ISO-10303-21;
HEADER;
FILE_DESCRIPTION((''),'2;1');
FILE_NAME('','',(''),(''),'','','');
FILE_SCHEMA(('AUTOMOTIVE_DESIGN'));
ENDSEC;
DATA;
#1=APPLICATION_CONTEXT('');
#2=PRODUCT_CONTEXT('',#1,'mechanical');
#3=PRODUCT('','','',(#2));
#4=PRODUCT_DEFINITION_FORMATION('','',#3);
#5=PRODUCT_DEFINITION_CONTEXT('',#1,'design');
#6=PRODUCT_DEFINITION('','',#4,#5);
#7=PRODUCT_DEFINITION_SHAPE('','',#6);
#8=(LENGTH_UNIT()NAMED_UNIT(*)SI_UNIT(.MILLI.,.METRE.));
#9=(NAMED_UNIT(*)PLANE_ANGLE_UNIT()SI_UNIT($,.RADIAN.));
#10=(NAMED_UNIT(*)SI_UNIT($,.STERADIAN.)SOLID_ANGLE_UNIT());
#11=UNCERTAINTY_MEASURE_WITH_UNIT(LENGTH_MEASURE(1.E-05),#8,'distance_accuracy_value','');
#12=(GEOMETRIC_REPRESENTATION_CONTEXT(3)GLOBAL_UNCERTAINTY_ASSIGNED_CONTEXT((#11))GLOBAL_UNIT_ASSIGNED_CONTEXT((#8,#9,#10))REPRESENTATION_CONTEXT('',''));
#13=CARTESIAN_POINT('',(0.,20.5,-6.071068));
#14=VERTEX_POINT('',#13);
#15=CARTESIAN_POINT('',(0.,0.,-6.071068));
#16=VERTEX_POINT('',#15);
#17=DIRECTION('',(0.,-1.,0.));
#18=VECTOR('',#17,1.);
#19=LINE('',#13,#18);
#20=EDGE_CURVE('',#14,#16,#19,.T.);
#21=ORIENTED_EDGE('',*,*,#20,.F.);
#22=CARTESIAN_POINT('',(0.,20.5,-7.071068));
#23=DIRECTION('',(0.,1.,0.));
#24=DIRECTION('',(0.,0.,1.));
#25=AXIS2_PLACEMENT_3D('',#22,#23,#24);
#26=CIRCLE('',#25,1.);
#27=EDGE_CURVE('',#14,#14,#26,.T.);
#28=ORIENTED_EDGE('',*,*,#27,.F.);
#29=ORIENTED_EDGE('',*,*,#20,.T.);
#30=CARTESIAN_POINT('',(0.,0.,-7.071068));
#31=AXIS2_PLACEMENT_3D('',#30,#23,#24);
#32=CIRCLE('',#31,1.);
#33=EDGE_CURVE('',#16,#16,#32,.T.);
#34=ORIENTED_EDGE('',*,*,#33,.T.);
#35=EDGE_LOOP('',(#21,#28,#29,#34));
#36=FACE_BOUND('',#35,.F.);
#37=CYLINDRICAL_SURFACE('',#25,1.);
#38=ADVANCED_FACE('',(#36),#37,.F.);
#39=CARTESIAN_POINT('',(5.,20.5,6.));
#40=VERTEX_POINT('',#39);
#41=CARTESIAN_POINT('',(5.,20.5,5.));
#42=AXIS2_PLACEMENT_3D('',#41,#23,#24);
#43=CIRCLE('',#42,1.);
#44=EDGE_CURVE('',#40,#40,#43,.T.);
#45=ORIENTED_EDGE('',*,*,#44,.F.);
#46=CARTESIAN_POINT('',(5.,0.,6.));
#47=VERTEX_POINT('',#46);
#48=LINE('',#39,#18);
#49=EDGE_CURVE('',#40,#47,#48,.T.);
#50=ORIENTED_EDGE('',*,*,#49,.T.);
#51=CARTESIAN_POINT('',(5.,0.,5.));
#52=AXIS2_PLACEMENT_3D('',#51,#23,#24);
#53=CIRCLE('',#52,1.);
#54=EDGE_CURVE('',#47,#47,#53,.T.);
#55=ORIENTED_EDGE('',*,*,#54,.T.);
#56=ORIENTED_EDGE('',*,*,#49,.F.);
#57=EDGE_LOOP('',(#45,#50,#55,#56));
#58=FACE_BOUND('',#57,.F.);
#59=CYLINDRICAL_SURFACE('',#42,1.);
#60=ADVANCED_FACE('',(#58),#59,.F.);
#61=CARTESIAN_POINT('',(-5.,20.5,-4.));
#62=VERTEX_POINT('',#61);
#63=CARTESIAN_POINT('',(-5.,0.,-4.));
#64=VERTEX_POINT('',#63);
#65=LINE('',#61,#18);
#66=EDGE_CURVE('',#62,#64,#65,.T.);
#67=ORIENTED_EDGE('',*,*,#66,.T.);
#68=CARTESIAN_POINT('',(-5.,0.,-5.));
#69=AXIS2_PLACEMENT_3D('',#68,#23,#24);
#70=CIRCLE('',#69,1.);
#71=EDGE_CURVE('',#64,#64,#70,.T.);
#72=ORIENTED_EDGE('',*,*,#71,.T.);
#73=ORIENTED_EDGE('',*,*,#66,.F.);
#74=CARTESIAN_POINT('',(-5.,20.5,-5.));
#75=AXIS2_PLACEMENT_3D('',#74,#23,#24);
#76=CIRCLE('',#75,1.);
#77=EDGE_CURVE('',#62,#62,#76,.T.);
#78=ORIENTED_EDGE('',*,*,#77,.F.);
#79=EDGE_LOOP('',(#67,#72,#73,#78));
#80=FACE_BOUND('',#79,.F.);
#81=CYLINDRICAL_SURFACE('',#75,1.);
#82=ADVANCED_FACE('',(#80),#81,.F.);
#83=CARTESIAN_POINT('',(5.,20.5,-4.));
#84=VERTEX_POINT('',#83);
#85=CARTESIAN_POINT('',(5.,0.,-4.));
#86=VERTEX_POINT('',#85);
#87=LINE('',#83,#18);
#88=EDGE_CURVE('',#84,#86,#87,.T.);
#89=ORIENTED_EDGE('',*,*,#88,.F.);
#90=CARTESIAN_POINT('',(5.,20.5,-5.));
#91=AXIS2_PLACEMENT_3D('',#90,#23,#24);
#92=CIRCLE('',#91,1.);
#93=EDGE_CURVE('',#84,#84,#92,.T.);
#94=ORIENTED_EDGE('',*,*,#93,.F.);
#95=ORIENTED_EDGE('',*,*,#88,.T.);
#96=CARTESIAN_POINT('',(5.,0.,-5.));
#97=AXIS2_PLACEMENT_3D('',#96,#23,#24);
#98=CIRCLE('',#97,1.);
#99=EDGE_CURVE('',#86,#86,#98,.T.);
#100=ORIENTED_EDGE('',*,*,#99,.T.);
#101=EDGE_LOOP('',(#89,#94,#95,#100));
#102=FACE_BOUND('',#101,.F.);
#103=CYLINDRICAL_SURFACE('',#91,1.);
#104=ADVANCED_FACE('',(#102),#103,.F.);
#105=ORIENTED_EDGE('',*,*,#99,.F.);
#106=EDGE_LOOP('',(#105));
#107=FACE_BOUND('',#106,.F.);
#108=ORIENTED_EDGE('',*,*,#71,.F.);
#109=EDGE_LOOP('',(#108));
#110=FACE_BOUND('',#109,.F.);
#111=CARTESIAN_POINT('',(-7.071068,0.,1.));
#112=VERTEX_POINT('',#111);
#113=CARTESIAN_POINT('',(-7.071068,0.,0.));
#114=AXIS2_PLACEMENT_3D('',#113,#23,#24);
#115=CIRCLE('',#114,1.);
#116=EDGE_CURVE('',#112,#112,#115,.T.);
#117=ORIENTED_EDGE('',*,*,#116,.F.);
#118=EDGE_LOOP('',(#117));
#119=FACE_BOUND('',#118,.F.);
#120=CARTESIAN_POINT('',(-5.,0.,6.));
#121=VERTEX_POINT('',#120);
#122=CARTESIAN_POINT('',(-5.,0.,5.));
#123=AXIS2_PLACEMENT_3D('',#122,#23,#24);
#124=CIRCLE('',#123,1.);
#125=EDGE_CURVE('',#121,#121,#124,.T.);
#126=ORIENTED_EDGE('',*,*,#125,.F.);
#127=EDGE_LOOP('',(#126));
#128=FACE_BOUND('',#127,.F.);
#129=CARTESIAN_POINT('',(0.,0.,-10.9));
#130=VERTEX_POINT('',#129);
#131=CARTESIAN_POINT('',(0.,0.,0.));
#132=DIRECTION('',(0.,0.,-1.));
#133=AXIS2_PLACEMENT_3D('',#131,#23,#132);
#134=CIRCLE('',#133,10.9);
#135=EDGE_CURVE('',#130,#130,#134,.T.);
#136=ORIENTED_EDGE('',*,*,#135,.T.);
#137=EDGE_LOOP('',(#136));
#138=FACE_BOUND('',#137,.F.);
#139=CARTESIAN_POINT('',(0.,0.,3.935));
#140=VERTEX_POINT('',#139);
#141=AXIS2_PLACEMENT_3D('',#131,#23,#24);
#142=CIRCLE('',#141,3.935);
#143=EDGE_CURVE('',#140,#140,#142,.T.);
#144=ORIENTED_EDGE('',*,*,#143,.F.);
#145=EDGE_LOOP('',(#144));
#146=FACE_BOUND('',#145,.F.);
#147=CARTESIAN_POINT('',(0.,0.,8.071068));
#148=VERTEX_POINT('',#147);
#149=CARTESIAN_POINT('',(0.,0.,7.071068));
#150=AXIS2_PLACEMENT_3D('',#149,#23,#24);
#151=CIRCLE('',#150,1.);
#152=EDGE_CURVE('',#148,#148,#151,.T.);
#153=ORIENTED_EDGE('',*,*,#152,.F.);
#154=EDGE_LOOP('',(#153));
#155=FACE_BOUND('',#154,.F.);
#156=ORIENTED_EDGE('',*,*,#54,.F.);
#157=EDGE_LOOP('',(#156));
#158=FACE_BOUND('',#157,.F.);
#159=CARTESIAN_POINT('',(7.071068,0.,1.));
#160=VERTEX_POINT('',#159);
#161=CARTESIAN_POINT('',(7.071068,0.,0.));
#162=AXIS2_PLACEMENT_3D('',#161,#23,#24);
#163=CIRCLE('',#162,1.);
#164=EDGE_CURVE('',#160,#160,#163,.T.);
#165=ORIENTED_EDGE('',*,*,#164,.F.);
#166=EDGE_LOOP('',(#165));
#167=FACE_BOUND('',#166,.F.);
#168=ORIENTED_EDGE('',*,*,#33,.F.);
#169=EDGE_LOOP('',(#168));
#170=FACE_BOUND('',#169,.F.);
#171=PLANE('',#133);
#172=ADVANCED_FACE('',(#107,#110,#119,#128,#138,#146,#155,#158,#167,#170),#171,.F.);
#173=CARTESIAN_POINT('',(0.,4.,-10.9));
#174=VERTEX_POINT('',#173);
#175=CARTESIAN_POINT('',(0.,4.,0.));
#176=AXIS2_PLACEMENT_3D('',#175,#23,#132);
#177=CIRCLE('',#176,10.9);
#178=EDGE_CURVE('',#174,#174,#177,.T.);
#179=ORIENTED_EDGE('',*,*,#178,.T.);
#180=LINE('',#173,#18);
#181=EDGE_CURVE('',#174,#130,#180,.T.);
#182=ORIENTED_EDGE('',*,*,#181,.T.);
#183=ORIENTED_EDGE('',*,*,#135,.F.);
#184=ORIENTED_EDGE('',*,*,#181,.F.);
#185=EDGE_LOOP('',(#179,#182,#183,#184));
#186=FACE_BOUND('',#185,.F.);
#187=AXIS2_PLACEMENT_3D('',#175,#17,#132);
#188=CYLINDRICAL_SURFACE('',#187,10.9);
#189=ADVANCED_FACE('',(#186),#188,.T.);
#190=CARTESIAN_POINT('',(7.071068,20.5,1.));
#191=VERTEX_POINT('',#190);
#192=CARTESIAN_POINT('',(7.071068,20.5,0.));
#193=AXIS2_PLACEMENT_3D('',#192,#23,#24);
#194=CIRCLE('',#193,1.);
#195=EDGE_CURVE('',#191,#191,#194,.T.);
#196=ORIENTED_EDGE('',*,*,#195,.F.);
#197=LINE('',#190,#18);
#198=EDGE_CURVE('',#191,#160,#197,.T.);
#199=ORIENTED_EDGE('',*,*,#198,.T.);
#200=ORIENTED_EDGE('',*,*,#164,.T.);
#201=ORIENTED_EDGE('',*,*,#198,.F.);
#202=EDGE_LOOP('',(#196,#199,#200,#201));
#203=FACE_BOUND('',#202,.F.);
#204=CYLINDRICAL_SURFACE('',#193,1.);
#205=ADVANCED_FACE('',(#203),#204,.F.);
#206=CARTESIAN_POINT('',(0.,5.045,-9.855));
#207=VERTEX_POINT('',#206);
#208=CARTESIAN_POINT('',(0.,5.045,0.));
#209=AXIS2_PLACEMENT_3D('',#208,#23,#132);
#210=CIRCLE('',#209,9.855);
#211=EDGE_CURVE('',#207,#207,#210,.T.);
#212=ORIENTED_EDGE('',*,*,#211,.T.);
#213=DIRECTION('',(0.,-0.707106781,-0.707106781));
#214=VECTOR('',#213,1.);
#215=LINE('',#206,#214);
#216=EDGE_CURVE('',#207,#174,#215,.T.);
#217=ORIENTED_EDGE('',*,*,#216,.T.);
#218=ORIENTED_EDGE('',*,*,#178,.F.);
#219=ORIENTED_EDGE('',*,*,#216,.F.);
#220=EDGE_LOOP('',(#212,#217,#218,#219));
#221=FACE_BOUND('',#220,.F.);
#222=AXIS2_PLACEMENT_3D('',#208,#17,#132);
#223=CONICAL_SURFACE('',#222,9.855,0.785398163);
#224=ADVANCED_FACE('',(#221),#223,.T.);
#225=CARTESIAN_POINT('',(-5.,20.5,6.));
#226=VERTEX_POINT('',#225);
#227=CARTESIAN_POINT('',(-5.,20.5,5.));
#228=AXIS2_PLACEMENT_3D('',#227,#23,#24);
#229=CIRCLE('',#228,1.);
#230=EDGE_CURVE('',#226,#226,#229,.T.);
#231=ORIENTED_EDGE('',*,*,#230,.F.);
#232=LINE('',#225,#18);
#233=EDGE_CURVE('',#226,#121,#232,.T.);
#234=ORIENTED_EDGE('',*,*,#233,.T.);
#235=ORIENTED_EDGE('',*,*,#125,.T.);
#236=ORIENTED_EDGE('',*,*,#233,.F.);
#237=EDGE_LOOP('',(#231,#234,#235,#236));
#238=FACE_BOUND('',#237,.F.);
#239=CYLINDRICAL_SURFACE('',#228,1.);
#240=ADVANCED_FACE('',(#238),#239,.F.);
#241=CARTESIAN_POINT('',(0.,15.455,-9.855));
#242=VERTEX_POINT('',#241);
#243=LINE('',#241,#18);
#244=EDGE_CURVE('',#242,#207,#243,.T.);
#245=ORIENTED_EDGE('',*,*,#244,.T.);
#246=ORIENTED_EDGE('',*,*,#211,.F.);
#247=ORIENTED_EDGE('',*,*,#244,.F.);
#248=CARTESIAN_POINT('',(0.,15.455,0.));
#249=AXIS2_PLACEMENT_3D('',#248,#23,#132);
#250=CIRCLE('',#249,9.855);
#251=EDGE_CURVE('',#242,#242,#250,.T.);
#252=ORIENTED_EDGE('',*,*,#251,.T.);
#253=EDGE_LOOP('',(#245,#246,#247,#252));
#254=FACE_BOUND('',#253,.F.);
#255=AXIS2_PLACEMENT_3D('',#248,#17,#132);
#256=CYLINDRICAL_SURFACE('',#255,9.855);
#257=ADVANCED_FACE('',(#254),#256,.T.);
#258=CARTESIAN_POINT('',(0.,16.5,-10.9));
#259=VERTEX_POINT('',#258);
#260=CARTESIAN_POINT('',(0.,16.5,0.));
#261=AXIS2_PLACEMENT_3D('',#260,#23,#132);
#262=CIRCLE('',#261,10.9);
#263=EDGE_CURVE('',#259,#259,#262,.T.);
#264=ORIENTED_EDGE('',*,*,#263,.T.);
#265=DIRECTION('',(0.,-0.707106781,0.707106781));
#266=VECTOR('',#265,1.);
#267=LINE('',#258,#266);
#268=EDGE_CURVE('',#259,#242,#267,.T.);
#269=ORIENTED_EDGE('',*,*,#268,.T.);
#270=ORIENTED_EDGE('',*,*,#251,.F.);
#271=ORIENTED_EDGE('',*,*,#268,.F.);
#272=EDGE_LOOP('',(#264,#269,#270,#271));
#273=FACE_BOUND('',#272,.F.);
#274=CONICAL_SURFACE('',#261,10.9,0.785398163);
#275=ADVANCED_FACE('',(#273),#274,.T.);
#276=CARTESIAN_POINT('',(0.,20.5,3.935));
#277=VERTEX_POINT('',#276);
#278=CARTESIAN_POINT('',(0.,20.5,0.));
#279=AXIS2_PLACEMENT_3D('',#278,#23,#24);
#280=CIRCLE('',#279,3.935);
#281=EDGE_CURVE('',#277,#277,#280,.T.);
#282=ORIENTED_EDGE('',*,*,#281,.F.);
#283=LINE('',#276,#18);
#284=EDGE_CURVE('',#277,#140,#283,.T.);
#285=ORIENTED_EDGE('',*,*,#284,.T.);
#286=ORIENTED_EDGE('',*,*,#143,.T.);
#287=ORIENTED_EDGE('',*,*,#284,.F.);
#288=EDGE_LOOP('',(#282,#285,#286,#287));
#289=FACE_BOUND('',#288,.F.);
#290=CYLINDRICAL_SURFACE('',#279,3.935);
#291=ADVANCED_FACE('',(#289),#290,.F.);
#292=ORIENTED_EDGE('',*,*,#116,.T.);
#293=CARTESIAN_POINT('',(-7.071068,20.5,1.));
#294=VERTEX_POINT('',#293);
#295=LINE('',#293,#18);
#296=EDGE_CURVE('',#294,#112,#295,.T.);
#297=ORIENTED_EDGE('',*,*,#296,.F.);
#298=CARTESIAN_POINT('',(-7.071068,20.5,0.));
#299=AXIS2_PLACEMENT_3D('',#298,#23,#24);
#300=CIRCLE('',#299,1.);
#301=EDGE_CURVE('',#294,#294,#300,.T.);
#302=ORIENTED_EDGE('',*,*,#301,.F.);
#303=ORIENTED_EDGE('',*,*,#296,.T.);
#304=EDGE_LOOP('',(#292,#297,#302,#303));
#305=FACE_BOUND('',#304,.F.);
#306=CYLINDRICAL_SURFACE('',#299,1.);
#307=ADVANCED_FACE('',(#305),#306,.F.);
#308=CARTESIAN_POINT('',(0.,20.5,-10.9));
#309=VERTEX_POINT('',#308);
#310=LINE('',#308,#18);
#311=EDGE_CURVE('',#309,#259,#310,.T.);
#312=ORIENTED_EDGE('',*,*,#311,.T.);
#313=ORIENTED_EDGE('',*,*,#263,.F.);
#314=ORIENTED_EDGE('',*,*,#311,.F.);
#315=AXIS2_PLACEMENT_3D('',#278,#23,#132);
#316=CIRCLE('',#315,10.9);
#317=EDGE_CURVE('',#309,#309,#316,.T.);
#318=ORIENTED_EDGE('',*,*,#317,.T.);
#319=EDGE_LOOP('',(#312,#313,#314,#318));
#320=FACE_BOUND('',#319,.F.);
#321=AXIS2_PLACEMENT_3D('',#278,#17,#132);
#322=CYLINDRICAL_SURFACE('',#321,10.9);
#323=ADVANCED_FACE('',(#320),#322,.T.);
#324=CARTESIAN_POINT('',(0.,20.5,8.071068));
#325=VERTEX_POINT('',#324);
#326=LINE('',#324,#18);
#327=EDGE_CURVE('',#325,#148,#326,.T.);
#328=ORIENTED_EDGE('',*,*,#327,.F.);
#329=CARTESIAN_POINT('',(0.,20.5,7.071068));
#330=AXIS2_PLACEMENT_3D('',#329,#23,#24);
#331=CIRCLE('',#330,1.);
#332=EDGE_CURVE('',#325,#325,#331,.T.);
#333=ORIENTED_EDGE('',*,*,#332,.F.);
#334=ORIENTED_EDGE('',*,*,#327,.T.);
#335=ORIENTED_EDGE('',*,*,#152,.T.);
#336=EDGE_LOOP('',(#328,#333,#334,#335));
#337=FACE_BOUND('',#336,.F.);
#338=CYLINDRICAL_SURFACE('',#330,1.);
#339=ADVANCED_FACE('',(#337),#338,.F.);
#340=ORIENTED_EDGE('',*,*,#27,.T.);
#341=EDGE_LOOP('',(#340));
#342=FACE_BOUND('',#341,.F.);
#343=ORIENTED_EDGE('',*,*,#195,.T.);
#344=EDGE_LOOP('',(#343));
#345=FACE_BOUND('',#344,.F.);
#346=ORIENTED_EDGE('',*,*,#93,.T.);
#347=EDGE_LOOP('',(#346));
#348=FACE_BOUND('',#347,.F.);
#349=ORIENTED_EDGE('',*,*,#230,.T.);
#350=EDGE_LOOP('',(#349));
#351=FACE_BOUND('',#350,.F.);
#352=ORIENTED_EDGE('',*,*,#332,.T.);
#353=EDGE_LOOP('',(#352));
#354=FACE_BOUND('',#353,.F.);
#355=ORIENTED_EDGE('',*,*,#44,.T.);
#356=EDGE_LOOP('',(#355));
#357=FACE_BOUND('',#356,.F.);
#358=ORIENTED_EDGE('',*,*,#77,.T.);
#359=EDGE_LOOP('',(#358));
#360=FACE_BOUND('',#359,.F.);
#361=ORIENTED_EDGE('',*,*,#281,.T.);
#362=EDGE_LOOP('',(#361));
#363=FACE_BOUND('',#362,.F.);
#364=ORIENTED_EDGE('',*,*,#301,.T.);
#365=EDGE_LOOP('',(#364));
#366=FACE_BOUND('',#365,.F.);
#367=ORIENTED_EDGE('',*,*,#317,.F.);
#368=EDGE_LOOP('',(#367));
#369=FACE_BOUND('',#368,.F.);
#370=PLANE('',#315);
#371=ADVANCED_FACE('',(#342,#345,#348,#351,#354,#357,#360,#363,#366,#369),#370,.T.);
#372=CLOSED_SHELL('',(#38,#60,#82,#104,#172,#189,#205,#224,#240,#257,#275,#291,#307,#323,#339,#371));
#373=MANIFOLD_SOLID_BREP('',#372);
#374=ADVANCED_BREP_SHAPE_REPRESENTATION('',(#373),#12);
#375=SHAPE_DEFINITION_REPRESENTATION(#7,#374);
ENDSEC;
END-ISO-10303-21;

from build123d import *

# Parameters (mm, degrees)
SKETCH2_R          = 3.935
SKETCH2_R_2        = 1
CUT_EXTRUDE1_DEPTH = 45


with BuildPart() as part:
    # Sketch1 → Revolve1 (revolve)
    with BuildSketch(Plane.XY, mode=Mode.PRIVATE) as revolve1_sk:
        Polygon((-3, 0), (-3, 20.5), (-10.9, 20.5), (-10.9, 16.5), (-9.855, 15.455), (-9.855, 5.045), (-10.9, 4), (-10.9, 0), align=None)
    revolve(revolve1_sk.sketch.rotate(Axis((0, 0, 0), (0, 1, 0)), 270), axis=Axis((0, 0, 0), (0, 1, 0)))

    # Sketch2 → Cut-Extrude1 (cut)
    with BuildSketch(Plane(origin=(0, 20.5, 0), x_dir=(1, 0, 0), z_dir=(0, 1, 0))):
        with Locations(Location((0, 0, 0), (0, 0, 270))):
            Circle(SKETCH2_R)
        with Locations(Location((-5, 5, 0), (0, 0, 270))):
            Circle(SKETCH2_R_2)
        with Locations(Location((5, 5, 0), (0, 0, 270))):
            Circle(SKETCH2_R_2)
        with Locations(Location((5, -5, 0), (0, 0, 270))):
            Circle(SKETCH2_R_2)
        with Locations(Location((-5, -5, 0), (0, 0, 270))):
            Circle(SKETCH2_R_2)
        with Locations(Location((-7.071067812, 0, 0), (0, 0, 270))):
            Circle(SKETCH2_R_2)
        with Locations(Location((0, 7.071067812, 0), (0, 0, 270))):
            Circle(SKETCH2_R_2)
        with Locations(Location((7.071067812, 0, 0), (0, 0, 270))):
            Circle(SKETCH2_R_2)
        with Locations(Location((0, -7.071067812, 0), (0, 0, 270))):
            Circle(SKETCH2_R_2)
    extrude(amount=-CUT_EXTRUDE1_DEPTH, mode=Mode.SUBTRACT)


solid = part.part
